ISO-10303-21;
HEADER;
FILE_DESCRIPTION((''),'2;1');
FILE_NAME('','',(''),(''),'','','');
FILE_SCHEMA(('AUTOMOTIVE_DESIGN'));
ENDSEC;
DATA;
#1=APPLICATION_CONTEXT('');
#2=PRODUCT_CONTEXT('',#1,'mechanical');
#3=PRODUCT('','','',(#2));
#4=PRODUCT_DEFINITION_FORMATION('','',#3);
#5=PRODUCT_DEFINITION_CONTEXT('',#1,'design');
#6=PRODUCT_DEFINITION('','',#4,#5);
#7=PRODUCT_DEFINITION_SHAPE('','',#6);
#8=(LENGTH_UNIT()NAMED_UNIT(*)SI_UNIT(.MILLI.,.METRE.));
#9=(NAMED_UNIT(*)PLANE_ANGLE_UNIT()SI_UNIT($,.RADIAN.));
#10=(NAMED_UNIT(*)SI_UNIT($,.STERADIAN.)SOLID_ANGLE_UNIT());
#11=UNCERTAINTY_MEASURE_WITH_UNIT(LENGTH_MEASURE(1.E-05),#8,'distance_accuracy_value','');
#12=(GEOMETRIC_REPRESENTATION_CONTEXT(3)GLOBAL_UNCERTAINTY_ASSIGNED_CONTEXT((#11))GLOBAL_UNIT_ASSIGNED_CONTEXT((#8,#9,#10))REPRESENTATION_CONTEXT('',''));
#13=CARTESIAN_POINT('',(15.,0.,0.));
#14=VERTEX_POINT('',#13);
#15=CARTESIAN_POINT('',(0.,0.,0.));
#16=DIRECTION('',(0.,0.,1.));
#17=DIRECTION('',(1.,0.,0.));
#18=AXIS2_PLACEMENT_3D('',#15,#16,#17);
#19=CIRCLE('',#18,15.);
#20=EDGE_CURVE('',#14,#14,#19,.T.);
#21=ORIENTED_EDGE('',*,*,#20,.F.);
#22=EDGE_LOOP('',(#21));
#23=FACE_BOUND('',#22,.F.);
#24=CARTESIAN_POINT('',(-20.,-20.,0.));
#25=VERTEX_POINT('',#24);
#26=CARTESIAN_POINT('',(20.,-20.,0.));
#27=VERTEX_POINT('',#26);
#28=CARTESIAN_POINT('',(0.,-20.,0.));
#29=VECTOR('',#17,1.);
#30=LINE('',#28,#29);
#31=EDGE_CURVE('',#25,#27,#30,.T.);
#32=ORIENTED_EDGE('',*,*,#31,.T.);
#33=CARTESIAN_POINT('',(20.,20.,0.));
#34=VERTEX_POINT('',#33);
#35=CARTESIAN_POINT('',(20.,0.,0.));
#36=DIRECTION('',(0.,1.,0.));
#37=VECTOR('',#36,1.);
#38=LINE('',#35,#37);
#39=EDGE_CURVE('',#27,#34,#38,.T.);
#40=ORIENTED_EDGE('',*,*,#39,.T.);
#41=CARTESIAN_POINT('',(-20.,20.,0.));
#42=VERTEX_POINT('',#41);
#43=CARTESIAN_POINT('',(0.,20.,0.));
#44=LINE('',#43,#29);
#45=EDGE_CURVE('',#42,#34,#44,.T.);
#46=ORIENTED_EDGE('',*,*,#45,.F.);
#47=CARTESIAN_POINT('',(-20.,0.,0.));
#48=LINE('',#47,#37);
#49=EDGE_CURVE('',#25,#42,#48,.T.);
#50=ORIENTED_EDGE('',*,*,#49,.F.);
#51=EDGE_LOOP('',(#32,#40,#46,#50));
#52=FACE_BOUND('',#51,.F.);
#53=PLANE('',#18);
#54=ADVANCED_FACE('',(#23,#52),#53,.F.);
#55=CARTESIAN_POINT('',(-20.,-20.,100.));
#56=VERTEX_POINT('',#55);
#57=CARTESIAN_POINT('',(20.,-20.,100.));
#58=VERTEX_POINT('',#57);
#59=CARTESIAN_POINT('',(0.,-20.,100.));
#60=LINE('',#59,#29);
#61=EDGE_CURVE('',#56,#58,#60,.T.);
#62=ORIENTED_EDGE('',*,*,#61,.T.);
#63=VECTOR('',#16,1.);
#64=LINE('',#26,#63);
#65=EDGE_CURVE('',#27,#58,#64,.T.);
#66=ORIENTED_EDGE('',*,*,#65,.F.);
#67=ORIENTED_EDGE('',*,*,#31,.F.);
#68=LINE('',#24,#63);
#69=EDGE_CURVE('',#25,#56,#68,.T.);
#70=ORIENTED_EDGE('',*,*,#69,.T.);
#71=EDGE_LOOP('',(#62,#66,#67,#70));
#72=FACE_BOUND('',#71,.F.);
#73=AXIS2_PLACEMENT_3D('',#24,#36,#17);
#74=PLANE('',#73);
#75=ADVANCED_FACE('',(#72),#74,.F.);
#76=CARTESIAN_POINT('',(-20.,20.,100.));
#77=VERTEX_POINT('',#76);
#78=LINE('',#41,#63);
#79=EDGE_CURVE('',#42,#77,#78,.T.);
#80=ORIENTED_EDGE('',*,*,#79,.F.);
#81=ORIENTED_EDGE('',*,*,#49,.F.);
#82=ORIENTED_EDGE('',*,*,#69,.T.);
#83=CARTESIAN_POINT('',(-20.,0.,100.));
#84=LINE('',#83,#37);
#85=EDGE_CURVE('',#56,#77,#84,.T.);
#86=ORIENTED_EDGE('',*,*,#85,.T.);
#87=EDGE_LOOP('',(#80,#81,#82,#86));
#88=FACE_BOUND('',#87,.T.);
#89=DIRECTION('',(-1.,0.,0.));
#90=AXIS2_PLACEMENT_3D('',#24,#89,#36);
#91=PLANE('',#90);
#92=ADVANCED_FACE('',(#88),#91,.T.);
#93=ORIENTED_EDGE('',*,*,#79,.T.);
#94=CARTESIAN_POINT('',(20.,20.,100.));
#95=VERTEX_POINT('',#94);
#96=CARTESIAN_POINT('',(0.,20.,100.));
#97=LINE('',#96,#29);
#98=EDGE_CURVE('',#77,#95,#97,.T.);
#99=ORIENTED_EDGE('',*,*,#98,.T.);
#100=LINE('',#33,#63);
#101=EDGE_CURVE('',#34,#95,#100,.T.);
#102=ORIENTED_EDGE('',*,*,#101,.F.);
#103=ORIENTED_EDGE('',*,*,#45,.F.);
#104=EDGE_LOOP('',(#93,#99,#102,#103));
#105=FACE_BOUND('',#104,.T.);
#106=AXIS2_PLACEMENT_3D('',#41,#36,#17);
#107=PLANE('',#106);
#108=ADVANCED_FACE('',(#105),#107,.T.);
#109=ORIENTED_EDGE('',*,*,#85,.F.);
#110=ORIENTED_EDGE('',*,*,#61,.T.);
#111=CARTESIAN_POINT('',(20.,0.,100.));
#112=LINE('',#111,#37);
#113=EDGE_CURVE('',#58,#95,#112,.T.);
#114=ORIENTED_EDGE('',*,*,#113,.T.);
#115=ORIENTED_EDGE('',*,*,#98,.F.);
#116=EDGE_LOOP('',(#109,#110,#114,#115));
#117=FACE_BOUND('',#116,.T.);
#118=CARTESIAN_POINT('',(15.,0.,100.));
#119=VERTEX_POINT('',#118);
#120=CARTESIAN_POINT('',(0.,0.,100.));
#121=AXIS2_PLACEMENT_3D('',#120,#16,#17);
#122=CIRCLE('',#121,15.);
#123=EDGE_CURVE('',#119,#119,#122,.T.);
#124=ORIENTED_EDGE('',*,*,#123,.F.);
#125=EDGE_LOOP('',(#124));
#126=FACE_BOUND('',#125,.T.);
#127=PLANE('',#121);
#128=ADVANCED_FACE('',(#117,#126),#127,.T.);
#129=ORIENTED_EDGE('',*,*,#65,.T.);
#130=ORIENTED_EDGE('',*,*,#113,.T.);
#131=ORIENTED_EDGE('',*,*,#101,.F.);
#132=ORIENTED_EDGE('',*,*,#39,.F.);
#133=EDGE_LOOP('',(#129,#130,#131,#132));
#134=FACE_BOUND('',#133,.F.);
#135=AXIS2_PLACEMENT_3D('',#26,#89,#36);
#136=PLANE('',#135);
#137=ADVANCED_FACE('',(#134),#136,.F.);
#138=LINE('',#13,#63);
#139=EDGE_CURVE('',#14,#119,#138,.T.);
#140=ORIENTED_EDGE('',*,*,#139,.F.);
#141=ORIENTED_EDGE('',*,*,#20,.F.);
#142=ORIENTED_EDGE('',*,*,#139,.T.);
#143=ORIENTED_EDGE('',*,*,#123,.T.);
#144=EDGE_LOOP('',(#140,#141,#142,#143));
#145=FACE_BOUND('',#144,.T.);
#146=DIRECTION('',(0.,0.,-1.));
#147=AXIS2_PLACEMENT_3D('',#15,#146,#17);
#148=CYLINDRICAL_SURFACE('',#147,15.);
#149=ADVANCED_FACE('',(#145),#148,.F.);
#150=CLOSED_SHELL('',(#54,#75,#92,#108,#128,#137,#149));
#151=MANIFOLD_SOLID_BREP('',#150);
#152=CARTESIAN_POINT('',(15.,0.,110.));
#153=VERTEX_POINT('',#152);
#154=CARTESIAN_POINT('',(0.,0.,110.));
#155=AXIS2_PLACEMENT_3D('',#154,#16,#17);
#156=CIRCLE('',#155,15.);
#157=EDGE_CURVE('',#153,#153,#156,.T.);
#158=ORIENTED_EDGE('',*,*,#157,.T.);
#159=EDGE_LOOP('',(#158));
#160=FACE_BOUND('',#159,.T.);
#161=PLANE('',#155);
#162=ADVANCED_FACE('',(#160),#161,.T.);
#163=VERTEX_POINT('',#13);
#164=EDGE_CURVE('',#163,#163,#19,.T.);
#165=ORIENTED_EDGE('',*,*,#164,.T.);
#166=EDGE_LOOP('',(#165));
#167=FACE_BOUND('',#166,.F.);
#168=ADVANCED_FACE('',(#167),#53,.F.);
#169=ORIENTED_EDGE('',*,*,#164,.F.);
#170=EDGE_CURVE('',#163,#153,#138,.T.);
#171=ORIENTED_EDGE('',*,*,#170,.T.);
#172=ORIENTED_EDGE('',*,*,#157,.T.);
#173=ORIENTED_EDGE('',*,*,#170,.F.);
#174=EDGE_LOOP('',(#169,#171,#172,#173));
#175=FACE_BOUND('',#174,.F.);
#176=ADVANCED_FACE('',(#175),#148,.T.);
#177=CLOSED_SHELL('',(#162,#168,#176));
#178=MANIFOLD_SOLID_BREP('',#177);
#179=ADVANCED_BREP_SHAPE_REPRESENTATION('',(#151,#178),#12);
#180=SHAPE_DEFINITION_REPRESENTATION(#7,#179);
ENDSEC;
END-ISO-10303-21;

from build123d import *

# Parameters (mm, degrees)
F0_W     = 40
F0_H     = 40
F0_R     = 15
F1_DEPTH = 100
F2_R     = 15
F3_DEPTH = 110


with BuildPart() as f1:
    # F0 (on Top) → F1 (new body)
    with BuildSketch(Plane.XY):
        Rectangle(F0_W, F0_H)
        Circle(F0_R, mode=Mode.SUBTRACT)
    extrude(amount=F1_DEPTH)


with BuildPart() as f3:
    # F2 (on Top) → F3 (new body)
    with BuildSketch(Plane.XY):
        Circle(F2_R)
    extrude(amount=F3_DEPTH)


solid = Compound([f1.part, f3.part])
